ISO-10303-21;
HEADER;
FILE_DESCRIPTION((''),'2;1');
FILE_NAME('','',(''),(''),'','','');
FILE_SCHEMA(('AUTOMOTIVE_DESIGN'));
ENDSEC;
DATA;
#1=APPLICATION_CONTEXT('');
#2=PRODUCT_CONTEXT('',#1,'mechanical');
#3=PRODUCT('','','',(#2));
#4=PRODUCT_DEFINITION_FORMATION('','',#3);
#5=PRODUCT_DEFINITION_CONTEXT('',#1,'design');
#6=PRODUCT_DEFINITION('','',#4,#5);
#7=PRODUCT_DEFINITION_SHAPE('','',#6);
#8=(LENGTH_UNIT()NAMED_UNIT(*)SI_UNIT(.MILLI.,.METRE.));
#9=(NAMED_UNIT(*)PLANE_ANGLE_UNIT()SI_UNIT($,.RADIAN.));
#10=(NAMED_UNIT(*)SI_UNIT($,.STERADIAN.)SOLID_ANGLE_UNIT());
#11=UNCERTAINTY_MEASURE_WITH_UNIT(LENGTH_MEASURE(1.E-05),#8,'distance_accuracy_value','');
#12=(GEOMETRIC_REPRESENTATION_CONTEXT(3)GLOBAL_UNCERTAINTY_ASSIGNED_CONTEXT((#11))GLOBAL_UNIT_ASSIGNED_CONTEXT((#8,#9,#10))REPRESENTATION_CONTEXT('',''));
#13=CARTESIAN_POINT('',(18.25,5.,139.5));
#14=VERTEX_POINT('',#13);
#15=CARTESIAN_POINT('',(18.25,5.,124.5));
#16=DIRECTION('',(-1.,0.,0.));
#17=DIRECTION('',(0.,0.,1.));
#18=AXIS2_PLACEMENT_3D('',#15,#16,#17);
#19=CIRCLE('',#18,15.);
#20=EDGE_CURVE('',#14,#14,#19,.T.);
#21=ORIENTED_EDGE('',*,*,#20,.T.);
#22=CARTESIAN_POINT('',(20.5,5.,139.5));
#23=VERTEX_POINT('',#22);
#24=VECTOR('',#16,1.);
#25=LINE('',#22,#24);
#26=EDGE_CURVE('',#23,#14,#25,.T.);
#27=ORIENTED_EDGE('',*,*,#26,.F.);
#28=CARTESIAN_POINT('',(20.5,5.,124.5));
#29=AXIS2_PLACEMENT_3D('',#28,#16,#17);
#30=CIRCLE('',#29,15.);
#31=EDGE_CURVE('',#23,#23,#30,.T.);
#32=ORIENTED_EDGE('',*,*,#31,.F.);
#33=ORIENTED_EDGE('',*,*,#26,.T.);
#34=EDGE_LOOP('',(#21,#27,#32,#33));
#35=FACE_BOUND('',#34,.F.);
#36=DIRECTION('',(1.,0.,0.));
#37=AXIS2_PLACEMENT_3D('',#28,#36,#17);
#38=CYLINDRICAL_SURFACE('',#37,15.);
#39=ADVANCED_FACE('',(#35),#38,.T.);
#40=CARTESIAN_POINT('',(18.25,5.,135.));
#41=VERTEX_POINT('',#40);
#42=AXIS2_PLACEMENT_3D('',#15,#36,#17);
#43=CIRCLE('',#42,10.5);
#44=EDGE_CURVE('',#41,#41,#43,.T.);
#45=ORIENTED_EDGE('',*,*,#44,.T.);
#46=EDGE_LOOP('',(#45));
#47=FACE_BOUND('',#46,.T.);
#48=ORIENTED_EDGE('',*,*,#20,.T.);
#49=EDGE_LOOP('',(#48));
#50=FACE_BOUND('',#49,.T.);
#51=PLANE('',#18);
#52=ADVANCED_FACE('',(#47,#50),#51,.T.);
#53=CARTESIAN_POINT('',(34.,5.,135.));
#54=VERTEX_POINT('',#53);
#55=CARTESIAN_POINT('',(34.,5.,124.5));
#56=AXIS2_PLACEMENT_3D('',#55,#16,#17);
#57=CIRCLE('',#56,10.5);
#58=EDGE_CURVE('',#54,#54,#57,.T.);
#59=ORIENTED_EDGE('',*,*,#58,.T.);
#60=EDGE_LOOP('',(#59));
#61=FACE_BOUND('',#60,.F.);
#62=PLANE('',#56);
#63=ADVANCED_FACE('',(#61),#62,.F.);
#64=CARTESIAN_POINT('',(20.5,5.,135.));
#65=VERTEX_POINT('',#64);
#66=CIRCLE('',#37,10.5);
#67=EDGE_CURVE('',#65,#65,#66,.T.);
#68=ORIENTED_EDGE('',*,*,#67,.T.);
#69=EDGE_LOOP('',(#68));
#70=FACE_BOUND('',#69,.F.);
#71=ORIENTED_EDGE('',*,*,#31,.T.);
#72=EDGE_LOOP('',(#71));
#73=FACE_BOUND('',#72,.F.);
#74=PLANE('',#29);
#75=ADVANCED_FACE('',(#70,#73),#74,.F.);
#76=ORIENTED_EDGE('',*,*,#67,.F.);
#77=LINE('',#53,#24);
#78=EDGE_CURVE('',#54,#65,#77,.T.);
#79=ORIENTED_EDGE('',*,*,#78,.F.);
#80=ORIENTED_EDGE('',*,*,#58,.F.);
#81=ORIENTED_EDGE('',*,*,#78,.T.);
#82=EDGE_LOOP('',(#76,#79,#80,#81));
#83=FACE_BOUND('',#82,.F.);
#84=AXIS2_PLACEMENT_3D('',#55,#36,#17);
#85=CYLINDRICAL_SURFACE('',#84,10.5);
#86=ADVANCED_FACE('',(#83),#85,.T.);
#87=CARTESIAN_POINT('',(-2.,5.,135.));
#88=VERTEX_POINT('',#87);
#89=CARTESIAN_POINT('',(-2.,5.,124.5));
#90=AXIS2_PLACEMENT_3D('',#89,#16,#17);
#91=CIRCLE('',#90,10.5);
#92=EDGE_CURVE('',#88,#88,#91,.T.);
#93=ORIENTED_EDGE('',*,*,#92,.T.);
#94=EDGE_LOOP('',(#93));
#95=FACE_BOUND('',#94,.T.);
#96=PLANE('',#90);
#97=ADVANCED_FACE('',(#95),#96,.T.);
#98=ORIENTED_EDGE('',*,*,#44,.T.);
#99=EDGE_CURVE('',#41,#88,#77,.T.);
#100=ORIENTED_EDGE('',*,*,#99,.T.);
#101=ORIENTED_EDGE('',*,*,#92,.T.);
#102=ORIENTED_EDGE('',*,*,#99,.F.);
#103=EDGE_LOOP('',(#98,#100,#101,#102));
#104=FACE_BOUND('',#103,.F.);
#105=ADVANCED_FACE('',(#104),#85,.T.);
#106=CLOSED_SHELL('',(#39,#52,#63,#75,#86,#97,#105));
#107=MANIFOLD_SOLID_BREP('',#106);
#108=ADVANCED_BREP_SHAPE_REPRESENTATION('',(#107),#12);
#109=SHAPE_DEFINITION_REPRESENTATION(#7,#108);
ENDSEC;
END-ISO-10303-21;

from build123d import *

# Parameters (mm, degrees)
CYLINDER101_R             = 15
CYLINDER101_DEPTH         = 2.25
CYLINDER100_R             = 10.5
CYLINDER100_DEPTH         = 36
FUSION030_PLACEMENT_ANGLE = 90


with BuildPart() as ethernet003:
    # Cylinder101 → Cylinder101 (new body)
    with BuildSketch(Plane.XY.offset(13.5)):
        Circle(CYLINDER101_R)
    extrude(amount=CYLINDER101_DEPTH)


with BuildPart() as ethenet001:
    # Cylinder100 → Cylinder100 (new body)
    with BuildSketch(Plane.XY):
        Circle(CYLINDER100_R)
    extrude(amount=CYLINDER100_DEPTH)

    # Fusion030: union Ethernet003
    add(ethernet003.part)


with BuildPart() as ethenet001_1:
    # Fusion030 placement: moved
    add(ethenet001.part.moved(Location((34, 5, 124.5))).rotate(Axis((34, 5, 124.5), (0, -1, 0)), FUSION030_PLACEMENT_ANGLE))


solid = ethenet001_1.part
